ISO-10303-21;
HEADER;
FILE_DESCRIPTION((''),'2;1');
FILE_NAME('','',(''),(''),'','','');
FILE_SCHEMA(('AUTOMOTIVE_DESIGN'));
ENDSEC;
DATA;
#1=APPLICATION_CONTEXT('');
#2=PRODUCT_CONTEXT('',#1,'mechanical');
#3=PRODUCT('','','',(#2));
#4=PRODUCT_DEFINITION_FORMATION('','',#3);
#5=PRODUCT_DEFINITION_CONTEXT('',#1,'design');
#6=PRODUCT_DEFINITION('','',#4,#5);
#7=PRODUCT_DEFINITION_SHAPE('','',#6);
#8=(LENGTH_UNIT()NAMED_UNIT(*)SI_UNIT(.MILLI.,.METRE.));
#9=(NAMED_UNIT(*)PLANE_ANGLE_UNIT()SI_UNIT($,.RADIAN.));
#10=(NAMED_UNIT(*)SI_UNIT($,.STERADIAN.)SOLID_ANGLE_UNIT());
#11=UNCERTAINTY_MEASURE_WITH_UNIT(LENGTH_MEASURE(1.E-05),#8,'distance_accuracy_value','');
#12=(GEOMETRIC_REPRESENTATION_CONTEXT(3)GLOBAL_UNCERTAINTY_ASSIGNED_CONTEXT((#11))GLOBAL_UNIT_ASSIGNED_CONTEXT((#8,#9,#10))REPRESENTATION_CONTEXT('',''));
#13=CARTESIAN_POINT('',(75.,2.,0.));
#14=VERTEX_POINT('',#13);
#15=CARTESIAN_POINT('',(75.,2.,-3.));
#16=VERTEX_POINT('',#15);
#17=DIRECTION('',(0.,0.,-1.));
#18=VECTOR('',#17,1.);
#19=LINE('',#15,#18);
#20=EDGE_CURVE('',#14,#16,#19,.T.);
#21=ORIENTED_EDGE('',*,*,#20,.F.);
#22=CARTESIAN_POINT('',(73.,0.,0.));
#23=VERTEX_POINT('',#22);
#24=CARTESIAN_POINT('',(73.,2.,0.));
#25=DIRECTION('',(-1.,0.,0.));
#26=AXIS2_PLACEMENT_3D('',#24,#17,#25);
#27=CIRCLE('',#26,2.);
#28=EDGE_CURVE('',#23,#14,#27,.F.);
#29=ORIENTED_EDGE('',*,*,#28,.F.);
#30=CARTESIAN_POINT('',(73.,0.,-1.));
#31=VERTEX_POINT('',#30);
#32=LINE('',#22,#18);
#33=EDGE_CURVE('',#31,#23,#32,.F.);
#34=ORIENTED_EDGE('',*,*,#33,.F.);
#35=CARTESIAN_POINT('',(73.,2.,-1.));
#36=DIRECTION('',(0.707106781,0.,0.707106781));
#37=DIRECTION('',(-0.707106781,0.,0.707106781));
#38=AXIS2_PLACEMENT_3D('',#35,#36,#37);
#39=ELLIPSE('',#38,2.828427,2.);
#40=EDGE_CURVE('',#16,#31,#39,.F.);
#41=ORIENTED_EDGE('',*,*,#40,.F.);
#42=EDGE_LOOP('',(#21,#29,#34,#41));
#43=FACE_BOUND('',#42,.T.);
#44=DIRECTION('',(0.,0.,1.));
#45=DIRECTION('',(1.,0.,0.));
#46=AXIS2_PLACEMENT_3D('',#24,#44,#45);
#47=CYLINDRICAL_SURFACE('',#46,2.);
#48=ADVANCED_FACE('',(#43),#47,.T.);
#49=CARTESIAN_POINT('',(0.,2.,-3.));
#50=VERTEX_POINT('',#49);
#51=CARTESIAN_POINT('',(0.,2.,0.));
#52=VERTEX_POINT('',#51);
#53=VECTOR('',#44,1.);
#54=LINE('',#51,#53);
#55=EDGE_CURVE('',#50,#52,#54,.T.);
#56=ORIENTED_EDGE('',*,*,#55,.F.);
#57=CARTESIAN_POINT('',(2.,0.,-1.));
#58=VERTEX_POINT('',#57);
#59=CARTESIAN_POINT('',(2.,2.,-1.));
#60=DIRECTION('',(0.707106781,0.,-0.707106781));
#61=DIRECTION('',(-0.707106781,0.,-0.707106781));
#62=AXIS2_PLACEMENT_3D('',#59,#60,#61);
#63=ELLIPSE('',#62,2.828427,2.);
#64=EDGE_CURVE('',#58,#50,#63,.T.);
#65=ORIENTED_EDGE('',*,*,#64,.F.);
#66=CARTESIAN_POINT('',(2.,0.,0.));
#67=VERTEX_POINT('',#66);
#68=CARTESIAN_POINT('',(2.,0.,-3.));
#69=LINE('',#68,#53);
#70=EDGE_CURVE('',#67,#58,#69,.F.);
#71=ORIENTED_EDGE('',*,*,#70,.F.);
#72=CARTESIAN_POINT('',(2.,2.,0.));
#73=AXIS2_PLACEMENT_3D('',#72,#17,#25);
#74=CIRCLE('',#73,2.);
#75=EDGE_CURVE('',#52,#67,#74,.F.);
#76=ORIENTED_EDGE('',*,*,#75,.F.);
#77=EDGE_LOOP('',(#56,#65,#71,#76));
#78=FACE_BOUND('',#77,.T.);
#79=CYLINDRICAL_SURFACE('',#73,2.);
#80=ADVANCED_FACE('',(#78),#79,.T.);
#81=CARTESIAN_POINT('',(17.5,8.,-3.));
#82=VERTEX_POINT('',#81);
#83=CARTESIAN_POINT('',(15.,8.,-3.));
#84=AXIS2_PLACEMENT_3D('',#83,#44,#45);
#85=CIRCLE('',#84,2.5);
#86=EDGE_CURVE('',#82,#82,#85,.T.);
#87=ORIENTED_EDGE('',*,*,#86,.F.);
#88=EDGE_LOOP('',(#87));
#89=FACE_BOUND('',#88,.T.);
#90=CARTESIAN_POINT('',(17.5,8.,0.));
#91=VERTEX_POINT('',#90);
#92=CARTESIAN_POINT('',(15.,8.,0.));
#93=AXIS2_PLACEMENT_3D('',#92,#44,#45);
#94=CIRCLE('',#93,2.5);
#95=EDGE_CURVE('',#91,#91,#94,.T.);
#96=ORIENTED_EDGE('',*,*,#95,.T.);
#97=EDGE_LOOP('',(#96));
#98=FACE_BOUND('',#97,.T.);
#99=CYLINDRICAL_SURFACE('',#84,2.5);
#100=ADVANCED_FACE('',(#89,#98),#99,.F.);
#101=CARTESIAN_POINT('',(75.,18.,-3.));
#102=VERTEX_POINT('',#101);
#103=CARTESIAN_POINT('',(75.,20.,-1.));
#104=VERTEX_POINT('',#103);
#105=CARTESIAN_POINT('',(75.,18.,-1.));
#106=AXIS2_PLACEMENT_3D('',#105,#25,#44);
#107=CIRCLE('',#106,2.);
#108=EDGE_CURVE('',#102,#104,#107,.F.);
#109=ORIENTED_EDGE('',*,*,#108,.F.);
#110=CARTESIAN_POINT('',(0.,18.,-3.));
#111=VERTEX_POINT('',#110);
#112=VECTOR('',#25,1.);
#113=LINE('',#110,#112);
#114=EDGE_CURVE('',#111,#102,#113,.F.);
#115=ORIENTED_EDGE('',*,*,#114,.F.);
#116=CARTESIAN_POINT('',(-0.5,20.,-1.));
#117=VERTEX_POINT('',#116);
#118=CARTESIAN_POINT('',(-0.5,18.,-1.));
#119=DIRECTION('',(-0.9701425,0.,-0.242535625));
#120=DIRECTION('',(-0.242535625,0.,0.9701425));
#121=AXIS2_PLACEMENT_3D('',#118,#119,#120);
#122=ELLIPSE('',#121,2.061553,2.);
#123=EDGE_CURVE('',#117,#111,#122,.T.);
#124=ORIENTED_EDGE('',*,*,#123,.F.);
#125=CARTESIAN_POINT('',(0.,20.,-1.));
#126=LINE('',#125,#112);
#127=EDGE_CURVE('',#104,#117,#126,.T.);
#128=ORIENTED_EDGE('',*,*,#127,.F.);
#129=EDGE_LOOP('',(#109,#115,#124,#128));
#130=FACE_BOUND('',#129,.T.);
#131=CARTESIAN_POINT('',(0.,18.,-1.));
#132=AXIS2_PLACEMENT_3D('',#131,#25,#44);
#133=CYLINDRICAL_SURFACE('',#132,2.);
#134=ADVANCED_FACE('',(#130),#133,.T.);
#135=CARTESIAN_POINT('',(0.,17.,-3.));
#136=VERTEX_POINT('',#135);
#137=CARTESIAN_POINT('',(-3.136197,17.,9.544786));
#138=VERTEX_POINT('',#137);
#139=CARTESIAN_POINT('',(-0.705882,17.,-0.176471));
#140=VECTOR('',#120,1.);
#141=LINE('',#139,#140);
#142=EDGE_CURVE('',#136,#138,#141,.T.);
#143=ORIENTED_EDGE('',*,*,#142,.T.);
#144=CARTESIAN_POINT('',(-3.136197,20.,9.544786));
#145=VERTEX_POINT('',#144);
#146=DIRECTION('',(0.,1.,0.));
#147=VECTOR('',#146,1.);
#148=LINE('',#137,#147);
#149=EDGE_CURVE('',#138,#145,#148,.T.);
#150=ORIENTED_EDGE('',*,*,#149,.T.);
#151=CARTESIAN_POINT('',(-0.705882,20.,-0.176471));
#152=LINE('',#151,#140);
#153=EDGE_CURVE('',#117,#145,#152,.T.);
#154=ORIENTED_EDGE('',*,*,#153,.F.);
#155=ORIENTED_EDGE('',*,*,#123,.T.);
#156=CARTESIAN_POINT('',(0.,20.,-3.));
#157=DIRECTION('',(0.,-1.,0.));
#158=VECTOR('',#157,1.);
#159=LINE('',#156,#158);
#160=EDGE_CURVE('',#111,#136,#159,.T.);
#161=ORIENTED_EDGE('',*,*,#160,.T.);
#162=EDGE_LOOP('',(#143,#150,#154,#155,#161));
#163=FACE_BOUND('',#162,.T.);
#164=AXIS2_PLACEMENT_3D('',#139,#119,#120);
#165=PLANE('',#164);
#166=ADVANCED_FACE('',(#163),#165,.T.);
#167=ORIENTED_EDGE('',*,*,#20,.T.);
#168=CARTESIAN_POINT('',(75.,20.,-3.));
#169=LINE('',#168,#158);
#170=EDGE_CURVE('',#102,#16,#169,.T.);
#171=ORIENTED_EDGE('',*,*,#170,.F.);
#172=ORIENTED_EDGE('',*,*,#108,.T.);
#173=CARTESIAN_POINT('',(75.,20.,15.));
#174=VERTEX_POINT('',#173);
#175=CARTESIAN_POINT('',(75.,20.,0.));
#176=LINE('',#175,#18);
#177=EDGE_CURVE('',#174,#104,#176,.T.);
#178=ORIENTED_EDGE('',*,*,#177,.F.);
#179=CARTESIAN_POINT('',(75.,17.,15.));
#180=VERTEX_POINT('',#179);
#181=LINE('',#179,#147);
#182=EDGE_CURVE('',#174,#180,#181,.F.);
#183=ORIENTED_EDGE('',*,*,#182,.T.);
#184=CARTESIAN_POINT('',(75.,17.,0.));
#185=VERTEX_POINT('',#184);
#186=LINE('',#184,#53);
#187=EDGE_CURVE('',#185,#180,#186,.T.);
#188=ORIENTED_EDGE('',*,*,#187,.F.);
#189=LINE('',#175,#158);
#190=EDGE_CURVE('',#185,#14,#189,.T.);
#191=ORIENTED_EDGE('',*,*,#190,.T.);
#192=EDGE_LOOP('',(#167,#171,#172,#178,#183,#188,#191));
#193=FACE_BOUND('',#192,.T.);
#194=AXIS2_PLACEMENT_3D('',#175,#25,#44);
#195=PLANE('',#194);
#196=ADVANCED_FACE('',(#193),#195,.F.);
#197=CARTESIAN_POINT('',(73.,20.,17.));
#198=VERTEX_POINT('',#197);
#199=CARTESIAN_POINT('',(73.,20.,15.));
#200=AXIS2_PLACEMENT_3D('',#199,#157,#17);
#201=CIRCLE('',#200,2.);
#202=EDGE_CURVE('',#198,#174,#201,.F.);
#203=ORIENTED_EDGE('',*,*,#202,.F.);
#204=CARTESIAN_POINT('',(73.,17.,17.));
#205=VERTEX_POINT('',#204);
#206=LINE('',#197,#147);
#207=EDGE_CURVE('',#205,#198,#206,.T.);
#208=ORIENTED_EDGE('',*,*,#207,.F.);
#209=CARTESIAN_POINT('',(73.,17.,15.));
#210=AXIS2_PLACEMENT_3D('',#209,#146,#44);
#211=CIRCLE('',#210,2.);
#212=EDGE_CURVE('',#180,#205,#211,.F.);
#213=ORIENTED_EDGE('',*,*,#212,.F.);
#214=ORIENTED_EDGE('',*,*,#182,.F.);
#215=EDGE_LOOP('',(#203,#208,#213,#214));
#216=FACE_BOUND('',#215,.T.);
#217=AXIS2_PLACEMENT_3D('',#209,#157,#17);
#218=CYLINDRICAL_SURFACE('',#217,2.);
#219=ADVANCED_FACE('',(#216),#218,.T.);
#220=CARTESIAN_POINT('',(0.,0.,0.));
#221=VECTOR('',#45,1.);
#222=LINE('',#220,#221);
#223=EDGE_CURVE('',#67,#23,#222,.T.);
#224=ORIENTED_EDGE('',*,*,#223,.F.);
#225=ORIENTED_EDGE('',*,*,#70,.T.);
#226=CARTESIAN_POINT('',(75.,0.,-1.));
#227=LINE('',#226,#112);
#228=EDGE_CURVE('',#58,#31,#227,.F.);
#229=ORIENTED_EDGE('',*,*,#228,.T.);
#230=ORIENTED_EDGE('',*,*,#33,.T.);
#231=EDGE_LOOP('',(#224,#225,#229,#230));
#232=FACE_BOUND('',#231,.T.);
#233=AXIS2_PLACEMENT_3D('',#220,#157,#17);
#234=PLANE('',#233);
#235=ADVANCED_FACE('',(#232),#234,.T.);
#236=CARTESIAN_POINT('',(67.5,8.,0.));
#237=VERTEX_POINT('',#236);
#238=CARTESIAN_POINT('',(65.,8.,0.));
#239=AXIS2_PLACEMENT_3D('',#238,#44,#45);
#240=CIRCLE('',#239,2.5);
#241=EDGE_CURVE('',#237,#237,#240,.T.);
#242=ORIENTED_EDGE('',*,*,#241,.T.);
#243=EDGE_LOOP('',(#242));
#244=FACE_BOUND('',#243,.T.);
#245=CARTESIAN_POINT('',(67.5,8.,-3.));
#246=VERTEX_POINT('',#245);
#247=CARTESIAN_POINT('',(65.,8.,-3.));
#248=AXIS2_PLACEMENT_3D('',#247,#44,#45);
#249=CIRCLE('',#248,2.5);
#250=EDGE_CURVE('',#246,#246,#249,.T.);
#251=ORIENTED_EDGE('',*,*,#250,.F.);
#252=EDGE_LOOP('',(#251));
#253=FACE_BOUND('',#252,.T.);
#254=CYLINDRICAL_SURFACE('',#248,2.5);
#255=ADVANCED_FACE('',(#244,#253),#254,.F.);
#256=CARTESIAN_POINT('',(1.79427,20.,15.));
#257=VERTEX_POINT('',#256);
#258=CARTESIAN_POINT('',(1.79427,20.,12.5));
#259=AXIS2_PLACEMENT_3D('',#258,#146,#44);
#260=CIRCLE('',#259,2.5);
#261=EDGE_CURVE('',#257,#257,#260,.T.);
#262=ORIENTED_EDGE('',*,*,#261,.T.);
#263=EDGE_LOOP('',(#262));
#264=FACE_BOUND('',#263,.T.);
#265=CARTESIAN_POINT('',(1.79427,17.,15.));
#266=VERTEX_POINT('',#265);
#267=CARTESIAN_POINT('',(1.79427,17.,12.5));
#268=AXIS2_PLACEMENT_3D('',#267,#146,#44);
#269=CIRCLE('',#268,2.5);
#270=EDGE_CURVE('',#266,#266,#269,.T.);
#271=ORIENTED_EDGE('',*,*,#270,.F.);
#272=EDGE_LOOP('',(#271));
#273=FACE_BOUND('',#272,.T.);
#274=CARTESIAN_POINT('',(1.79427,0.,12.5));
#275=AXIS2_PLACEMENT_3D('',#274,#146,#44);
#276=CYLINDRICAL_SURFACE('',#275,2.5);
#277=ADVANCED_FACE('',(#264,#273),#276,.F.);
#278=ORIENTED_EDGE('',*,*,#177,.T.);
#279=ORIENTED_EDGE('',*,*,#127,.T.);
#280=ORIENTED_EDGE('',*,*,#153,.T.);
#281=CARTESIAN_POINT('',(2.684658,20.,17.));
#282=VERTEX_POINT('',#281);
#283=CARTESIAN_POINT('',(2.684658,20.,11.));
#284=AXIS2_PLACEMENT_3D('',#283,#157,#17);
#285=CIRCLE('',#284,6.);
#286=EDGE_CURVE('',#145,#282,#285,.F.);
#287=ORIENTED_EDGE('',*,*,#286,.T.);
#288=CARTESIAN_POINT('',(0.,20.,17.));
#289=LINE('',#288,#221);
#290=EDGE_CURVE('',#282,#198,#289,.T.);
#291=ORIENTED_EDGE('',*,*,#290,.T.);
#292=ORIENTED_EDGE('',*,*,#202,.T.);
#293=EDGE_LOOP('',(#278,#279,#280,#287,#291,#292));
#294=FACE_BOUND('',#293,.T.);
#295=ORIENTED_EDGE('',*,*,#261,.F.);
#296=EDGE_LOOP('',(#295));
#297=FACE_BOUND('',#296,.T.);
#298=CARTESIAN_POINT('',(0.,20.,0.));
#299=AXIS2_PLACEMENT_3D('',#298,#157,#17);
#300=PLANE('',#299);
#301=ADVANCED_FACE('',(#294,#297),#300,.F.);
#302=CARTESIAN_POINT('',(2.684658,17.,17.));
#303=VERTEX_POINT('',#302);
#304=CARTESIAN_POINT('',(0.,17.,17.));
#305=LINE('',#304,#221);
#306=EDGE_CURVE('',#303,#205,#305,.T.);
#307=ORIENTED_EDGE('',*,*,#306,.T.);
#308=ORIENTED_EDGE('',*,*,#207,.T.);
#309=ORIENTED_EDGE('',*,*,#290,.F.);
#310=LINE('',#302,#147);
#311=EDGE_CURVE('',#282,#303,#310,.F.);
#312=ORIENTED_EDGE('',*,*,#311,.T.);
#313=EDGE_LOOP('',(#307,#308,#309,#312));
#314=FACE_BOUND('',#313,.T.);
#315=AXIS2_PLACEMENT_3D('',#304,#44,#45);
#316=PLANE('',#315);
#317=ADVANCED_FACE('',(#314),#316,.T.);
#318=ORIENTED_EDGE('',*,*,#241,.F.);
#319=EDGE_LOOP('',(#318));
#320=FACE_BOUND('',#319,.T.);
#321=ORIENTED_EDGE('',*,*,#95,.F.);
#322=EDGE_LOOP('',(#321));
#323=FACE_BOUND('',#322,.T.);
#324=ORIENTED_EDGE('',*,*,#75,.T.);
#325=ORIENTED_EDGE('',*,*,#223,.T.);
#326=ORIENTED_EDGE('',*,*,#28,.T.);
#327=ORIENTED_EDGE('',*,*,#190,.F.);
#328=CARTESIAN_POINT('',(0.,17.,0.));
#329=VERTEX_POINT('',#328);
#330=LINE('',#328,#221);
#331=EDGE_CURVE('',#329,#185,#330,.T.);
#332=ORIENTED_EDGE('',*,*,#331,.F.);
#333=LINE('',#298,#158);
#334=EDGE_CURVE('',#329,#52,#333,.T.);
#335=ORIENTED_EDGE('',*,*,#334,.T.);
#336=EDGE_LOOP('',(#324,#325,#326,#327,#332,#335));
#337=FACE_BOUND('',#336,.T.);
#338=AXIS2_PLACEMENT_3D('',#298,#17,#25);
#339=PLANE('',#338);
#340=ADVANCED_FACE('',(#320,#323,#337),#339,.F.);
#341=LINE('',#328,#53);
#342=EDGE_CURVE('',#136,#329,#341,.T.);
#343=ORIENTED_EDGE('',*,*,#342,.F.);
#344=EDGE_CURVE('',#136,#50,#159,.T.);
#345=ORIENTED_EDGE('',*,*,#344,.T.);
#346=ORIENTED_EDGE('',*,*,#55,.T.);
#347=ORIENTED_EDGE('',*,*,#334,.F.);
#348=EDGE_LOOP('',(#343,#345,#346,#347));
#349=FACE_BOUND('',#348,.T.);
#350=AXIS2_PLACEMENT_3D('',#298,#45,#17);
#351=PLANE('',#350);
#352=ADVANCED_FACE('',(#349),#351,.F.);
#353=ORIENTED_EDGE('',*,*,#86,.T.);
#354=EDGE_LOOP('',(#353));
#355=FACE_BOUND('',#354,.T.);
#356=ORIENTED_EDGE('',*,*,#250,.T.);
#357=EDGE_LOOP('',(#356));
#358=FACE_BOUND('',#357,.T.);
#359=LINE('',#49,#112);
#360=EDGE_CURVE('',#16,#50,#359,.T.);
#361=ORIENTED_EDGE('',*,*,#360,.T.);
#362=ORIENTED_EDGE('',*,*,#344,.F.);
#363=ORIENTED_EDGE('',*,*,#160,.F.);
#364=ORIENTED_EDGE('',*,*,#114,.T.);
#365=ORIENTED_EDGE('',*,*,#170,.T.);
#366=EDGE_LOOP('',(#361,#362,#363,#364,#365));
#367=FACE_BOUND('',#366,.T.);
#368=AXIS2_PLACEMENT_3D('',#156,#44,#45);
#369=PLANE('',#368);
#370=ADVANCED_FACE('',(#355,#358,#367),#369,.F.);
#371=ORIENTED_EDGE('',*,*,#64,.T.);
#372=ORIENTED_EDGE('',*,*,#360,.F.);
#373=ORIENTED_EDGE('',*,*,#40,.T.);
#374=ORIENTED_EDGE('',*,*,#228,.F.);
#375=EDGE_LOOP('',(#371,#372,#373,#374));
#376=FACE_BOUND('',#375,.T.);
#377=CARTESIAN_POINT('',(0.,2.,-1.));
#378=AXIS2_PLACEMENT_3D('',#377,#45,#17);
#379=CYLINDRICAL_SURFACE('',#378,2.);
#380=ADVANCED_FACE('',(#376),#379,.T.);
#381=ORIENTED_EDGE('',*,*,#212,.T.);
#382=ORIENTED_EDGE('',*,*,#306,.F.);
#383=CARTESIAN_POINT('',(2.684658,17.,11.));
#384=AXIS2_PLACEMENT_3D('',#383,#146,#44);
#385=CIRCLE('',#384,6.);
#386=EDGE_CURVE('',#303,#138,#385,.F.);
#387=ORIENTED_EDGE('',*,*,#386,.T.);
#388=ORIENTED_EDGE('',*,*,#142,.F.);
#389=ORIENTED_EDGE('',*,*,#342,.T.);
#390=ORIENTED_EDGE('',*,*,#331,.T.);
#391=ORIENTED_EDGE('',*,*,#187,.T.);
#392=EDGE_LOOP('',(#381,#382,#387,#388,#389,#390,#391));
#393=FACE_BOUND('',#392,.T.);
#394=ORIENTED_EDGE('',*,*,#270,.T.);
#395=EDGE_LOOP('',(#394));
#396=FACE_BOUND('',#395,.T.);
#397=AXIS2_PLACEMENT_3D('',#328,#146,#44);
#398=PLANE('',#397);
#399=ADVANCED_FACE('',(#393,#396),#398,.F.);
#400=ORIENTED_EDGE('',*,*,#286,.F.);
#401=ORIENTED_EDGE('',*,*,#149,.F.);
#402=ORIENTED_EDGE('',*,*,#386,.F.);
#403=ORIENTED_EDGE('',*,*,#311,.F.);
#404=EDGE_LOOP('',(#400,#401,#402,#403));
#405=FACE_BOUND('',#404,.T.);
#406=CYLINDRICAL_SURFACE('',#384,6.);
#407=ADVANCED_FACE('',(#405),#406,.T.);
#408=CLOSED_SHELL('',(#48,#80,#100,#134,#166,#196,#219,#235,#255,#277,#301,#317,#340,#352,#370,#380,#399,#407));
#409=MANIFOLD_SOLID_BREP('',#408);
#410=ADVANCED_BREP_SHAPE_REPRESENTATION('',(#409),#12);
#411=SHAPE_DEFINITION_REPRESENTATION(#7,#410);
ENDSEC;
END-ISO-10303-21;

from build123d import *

# Parameters (mm, degrees)
SKETCH1_W           = 75
SKETCH1_H           = 3
BOSS_EXTRUDE1_DEPTH = 20
SKETCH2_W           = 75
SKETCH2_H           = 17
BOSS_EXTRUDE2_DEPTH = 3
FILLET1_R           = 6
FILLET2_R           = 2
SKETCH3_R           = 2.5
CUT_EXTRUDE1_DEPTH  = 21
SKETCH4_R           = 2.5
CUT_EXTRUDE2_DEPTH  = 4


with BuildPart() as part:
    # Sketch1 → Boss-Extrude1 (new body)
    with BuildSketch(Plane(origin=(0, 0, 0), x_dir=(1, 0, 0), z_dir=(0, 1, 0))):
        with Locations((37.5, 1.5)):
            Rectangle(SKETCH1_W, SKETCH1_H)
    extrude(amount=BOSS_EXTRUDE1_DEPTH)

    # Sketch2 → Boss-Extrude2 (add)
    with BuildSketch(Plane(origin=(0, 20, 0), x_dir=(1, 0, 0), z_dir=(0, 1, 0))):
        Polygon((0, 0), (0, 3), (-5, -17), (0, -17), align=None)
        with Locations((37.5, -8.5)):
            Rectangle(SKETCH2_W, SKETCH2_H)
    extrude(amount=-BOSS_EXTRUDE2_DEPTH)

    # Fillet1
    fillet1_edges = [part.edges().sort_by_distance(p)[0] for p in [
        (-5, 18.5, 17),
    ]]
    fillet(fillet1_edges, radius=FILLET1_R)

    # Fillet2
    fillet2_edges = [part.edges().sort_by_distance(p)[0] for p in [
        (37.5, 20, -3),
        (75, 18.5, 17),
        (37.5, 0, -3),
        (75, 0, -1.5),
        (0, 0, -1.5),
    ]]
    fillet(fillet2_edges, radius=FILLET2_R)

    # Sketch3 → Cut-Extrude1 (cut, through all)
    with BuildSketch(Plane(origin=(0, 20, 0), x_dir=(1, 0, 0), z_dir=(0, 1, 0))):
        with Locations((1.794270235, -12.5)):
            Circle(SKETCH3_R)
    extrude(amount=-CUT_EXTRUDE1_DEPTH, mode=Mode.SUBTRACT)

    # Sketch4 → Cut-Extrude2 (cut, through all)
    with BuildSketch(Plane.XY):
        with Locations((65, 8)):
            Circle(SKETCH4_R)
        with Locations((15, 8)):
            Circle(SKETCH4_R)
    extrude(amount=-CUT_EXTRUDE2_DEPTH, mode=Mode.SUBTRACT)


solid = part.part
